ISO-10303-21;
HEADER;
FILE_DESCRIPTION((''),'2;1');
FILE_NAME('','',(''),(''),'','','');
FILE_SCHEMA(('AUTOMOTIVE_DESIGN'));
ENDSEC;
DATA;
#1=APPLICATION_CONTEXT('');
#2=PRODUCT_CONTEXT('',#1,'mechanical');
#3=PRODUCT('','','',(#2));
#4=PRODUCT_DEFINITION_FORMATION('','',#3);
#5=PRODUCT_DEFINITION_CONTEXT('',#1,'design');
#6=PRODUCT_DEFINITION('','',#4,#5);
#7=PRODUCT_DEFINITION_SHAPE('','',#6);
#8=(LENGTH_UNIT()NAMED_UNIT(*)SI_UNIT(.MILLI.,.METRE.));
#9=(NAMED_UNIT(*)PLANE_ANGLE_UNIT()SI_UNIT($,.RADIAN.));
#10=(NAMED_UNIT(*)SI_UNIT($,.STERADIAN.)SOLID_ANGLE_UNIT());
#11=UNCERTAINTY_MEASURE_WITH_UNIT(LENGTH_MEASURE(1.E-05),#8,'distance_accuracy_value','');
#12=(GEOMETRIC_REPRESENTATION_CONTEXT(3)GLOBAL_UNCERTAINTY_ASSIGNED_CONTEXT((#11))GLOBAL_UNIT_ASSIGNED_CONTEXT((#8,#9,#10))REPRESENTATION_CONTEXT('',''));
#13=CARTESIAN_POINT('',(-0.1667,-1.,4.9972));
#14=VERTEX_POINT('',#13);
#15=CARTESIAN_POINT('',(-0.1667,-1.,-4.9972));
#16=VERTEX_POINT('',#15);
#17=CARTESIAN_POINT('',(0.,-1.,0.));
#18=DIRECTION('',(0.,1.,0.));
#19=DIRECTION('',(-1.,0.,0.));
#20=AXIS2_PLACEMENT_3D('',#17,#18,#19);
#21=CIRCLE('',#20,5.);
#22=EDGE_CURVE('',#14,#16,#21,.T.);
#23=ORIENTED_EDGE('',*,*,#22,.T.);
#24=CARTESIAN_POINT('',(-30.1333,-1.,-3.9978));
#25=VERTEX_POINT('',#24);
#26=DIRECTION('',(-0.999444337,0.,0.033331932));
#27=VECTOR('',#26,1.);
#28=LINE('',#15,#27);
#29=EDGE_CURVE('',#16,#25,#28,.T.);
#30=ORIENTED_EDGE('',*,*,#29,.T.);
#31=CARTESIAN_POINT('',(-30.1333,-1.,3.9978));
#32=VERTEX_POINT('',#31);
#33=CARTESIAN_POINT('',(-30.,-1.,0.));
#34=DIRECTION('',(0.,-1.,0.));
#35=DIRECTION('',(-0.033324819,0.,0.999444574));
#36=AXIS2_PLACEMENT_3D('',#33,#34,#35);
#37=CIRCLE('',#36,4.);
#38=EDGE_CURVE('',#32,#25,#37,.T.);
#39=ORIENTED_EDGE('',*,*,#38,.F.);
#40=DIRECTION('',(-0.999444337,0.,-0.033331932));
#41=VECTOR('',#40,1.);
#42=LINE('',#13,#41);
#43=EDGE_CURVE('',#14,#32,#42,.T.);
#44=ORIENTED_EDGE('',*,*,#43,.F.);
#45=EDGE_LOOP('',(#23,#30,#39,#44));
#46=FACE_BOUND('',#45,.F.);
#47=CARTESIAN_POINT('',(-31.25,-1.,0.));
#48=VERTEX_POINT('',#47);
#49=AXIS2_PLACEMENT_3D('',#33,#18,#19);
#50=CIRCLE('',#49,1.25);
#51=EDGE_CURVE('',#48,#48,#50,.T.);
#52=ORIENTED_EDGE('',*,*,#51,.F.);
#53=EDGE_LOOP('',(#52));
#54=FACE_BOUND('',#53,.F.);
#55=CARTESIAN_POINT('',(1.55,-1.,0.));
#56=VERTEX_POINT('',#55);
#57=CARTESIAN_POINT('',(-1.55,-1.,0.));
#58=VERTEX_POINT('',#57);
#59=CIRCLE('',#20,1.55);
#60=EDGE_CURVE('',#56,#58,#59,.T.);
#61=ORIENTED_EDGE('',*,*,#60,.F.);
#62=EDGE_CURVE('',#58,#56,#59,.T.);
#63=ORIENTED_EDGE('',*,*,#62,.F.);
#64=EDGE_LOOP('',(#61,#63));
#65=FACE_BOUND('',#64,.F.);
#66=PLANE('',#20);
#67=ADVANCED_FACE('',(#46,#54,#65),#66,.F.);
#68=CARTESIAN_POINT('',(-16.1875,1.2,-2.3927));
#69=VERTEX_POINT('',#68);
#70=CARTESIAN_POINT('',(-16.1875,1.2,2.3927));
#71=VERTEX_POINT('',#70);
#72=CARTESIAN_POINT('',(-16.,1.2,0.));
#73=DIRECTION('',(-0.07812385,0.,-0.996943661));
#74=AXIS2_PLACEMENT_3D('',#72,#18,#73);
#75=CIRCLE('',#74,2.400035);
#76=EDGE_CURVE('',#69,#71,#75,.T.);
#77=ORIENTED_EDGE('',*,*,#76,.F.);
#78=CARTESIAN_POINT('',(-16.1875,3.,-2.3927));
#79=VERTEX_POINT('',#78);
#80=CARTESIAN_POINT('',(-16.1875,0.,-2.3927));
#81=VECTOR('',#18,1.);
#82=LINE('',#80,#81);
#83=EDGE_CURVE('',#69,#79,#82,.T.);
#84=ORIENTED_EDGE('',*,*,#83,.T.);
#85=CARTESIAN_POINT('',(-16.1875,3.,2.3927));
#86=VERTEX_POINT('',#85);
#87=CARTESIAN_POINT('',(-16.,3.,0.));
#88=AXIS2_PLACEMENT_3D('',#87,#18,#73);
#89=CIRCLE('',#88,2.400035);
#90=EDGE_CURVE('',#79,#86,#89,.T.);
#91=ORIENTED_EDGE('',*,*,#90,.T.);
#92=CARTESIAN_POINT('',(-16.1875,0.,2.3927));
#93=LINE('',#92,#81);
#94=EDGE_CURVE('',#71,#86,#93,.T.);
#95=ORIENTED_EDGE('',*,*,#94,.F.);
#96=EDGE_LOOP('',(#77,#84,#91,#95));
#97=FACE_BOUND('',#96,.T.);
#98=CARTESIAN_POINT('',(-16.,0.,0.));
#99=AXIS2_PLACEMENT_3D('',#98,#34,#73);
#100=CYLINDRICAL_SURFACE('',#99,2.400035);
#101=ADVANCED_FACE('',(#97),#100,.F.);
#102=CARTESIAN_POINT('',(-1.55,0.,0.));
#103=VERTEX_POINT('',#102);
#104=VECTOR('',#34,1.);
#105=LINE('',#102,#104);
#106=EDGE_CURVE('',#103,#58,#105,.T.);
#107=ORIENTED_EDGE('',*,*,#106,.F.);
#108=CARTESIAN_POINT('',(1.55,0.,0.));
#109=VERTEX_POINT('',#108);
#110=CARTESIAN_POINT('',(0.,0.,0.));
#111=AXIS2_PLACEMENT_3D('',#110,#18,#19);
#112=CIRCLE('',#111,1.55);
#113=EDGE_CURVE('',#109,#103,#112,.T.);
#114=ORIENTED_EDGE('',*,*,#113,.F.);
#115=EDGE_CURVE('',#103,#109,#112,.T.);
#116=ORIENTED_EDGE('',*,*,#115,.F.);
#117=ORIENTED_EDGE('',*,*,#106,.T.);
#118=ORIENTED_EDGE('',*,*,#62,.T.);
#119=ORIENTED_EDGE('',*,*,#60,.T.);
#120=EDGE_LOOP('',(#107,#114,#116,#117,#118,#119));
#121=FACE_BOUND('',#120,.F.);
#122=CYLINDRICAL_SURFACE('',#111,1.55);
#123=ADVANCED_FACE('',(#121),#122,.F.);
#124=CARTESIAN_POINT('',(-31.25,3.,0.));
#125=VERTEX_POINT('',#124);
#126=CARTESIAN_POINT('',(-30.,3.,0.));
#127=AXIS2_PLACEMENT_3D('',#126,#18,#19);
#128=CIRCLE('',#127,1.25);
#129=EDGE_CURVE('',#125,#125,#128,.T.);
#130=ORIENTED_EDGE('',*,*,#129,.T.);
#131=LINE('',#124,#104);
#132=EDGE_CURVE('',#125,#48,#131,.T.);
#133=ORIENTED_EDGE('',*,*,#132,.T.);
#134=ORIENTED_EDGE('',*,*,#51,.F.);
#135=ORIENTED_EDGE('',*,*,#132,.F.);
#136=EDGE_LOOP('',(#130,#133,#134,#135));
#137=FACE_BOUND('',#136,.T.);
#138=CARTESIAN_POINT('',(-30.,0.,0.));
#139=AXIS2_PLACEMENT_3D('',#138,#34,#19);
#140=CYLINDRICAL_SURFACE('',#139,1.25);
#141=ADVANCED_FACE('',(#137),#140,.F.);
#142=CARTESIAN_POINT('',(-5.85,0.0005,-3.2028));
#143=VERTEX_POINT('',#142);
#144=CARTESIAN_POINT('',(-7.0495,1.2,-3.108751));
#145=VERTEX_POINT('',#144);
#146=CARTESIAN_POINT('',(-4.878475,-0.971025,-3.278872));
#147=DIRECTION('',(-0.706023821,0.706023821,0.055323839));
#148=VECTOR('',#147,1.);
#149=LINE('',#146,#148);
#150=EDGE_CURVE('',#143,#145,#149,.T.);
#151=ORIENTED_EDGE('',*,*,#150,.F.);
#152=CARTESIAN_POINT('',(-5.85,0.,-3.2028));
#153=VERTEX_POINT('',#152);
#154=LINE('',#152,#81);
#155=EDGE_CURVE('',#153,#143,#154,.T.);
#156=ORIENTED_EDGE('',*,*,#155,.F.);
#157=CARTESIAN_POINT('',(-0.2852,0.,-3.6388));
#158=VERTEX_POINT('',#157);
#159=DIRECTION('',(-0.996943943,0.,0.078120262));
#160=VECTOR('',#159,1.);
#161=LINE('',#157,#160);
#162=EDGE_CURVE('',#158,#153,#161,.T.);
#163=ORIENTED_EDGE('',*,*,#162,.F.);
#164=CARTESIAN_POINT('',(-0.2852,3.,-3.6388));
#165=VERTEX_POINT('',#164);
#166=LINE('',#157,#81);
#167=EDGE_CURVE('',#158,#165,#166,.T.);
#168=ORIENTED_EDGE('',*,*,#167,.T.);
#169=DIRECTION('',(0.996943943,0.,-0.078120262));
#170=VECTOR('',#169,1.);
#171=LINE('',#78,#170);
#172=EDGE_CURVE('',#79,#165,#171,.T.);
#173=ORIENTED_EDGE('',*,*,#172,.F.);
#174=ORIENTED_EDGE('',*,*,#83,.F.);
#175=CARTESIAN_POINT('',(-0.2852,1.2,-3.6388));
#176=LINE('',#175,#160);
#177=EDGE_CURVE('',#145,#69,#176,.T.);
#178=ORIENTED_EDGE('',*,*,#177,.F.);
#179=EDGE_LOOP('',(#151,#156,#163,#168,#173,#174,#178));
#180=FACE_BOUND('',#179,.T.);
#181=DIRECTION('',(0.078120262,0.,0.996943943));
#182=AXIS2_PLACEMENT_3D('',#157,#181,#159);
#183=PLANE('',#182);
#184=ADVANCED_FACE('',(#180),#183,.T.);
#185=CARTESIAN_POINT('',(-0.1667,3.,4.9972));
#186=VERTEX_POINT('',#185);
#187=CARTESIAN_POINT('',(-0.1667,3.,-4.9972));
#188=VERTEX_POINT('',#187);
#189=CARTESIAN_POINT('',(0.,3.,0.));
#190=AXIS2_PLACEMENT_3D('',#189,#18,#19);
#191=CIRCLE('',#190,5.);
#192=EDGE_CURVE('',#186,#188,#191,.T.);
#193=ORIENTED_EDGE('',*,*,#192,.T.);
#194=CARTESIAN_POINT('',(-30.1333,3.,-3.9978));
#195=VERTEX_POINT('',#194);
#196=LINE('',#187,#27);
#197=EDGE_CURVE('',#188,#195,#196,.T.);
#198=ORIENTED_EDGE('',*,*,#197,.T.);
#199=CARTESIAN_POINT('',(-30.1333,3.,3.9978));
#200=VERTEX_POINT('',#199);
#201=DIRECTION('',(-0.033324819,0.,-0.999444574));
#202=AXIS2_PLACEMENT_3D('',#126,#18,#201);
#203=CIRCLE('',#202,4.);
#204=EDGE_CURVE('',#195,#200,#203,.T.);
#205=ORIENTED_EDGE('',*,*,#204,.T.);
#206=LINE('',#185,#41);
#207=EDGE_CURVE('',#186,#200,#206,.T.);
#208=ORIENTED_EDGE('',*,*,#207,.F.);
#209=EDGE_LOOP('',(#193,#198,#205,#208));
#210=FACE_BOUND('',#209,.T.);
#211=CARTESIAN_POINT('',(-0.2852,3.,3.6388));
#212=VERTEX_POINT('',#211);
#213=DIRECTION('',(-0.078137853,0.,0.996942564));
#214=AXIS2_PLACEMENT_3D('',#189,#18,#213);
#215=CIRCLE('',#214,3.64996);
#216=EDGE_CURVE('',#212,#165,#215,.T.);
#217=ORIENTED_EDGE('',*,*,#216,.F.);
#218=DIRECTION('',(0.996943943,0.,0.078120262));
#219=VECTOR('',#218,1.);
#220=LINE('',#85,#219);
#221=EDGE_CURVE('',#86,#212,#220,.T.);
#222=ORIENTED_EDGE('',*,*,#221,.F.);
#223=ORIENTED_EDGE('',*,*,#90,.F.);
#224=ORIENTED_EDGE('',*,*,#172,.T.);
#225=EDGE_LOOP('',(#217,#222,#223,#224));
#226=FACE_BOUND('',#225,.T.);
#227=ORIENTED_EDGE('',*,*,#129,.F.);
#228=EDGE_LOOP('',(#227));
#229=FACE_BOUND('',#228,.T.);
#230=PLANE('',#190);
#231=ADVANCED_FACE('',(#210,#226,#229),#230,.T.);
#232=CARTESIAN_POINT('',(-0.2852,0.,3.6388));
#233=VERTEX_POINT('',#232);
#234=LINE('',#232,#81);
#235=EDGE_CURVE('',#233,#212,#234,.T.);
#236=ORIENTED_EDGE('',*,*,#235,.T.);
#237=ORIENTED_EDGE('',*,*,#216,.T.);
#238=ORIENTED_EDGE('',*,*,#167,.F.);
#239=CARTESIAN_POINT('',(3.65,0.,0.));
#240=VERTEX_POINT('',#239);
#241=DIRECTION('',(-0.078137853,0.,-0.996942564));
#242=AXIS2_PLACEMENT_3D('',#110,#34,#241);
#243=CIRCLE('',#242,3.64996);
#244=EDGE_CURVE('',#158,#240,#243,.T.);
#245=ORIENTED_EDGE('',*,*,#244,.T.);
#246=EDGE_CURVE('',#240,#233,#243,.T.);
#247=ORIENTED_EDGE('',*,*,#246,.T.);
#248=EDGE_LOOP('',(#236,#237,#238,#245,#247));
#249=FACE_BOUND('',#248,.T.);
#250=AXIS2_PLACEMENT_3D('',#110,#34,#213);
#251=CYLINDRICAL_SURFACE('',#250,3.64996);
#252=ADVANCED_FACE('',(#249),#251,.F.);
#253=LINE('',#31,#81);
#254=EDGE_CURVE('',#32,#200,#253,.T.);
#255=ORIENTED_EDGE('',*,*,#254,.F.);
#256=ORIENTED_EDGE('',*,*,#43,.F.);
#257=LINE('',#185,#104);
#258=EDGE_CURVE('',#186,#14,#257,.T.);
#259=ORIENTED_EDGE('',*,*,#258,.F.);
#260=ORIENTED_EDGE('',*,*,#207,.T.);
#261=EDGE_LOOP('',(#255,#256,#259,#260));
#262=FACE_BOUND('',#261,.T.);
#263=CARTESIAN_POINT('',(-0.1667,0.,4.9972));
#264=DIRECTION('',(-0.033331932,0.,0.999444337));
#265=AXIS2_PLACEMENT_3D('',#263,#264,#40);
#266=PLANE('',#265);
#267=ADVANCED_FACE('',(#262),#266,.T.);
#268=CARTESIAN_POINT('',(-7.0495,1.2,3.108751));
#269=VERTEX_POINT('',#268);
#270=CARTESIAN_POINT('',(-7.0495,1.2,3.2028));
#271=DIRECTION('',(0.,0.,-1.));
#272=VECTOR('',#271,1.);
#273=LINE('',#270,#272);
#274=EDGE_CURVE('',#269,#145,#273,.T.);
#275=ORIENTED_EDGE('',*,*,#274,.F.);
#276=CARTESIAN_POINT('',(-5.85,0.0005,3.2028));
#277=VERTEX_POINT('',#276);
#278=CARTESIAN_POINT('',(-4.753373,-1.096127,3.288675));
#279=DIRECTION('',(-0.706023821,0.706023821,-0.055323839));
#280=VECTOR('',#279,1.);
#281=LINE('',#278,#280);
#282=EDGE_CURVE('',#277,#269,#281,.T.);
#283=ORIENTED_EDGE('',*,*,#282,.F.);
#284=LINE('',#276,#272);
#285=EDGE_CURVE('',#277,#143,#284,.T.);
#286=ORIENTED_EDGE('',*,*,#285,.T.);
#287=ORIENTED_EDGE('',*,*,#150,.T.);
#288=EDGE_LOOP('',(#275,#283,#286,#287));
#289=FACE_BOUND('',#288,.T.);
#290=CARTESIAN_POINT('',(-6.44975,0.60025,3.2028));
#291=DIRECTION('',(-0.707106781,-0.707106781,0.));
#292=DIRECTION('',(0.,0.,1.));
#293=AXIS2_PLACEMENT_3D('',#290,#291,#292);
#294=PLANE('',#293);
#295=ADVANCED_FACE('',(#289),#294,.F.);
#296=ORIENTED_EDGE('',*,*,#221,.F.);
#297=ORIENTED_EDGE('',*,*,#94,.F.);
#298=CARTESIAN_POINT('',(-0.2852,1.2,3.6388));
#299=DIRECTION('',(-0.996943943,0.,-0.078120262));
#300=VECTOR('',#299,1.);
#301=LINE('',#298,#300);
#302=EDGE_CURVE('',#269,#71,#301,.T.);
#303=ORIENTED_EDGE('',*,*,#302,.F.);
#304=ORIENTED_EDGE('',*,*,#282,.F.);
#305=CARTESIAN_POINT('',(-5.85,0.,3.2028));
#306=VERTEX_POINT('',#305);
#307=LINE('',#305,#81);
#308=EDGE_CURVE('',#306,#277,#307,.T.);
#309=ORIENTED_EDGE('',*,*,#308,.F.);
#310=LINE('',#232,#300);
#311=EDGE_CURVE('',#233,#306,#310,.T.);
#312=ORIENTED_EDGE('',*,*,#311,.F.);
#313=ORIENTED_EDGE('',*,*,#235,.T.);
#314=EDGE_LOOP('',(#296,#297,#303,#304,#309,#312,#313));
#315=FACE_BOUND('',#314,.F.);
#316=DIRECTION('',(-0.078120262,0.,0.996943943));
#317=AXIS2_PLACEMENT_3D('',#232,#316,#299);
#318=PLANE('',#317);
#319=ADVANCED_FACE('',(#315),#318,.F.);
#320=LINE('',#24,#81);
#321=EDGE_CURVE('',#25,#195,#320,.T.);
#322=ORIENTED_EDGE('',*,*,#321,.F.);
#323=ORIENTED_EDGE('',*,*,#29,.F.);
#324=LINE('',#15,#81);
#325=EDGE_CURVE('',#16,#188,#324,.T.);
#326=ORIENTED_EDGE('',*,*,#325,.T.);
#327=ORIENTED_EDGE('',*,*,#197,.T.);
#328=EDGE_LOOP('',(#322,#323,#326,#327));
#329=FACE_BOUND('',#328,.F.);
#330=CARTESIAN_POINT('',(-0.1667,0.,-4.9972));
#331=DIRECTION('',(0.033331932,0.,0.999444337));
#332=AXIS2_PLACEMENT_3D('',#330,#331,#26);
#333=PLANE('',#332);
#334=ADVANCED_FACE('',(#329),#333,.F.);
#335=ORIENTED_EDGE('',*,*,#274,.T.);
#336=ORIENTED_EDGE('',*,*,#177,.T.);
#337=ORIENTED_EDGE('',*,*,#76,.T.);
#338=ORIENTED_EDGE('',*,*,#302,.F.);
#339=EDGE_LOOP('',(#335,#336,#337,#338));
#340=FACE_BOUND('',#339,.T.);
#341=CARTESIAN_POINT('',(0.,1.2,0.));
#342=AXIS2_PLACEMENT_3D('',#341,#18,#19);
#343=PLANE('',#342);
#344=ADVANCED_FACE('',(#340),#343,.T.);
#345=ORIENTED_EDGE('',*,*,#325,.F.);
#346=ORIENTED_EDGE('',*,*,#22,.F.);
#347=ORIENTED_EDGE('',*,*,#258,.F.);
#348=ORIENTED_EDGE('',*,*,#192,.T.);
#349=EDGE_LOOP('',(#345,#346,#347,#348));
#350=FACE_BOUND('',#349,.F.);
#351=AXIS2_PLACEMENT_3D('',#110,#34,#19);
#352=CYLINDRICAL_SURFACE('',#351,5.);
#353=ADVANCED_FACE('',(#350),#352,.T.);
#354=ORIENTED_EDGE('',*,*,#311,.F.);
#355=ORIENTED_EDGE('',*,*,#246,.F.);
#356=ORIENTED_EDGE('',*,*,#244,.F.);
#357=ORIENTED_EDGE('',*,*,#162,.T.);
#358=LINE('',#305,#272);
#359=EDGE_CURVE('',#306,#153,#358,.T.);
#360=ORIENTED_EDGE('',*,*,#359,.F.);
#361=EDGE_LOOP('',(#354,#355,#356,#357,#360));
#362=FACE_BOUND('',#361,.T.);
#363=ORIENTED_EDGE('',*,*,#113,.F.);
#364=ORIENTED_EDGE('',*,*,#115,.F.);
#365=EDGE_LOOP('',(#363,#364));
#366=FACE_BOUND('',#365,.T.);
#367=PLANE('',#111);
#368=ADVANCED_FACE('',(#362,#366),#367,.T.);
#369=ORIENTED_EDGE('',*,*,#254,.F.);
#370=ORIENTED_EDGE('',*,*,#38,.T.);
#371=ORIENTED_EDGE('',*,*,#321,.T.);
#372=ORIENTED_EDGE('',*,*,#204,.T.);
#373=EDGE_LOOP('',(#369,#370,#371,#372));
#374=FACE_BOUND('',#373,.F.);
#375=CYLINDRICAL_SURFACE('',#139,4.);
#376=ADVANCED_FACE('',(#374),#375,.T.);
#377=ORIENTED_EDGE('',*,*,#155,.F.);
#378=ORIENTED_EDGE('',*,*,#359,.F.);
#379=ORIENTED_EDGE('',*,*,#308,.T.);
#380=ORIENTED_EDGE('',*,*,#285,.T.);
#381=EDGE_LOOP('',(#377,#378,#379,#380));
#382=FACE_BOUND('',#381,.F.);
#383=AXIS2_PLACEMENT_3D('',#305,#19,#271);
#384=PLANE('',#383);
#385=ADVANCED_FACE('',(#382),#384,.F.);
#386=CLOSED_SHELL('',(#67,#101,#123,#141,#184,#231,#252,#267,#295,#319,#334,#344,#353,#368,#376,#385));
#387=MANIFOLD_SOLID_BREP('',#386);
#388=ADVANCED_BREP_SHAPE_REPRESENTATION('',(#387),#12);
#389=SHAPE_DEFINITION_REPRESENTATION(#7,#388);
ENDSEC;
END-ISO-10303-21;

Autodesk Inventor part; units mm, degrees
ref_plane "YZ Plane" through (0, 0, 0) normal (1, 0, 0) x (0, 1, 0)
ref_plane "XZ Plane" through (0, 0, 0) normal (0, 1, 0) x (-1, 0, 0)
ref_plane "XY Plane" through (0, 0, 0) normal (0, 0, 1) x (1, 0, 0)
sketch "Sketch1" plane through (0, 0, 0) normal (0, 1, 0) x (-1, 0, 0)
  arc A0 (0.2852, 3.6388) -> (0.2852, -3.6388) centre (0, 0) ccw
  line L0 (0, 0) -> (16, 0) construction
  arc A1 (16.1875, -2.3927) -> (16.1875, 2.3927) centre (16, 0) ccw
  line L1 (0.2852, 3.6388) -> (16.1875, 2.3927)
  line L2 (0.2852, -3.6388) -> (16.1875, -2.3927)
  line L3 (5.85, 3.2028) -> (5.85, -3.2028)
  line L4 (0, 0) -> (-3.65, 0)
  circle A2 centre (0, 0) radius 1.55
  circle A3 centre (0, 0) radius 3
  circle A4 centre (0, 0) radius 5
  line L5 (0.1667, 4.9972) -> (30.1333, 3.9978)
  line L6 (0.1667, -4.9972) -> (30.1333, -3.9978)
  circle A5 centre (30, 0) radius 4
  line L7 (16, 0) -> (30, 0) construction
  circle A6 centre (30, 0) radius 1.25
  point P0 (0, 0)
  dimension "d0" = 7.3
  dimension "d1" = 4.8
  dimension "d2" = 16
  dimension "d3" = 9.5
  dimension "d4" = 3.1
  dimension "d6" = 6
  dimension "d8" = 2.5
  dimension "d18" = 10
  dimension "d19" = 8
  dimension "d20" = 30
extrude "Extrusion1" add sketch "Sketch1" against normal blind 1 contours A3 | L1 A4 L2 A0 | A0 L2 A4 L1 | A4 L5 A5 L6 L2 A1 L1 | L1 L3 L2 A4 | L1 A1 L2 L3 | A5
extrude "Extrusion2" add sketch "Sketch1" along normal blind 3 contours A0 L2 A4 L1 | A4 L5 A5 L6 L2 A1 L1 | A5 picked at (2.3095, 3.6823)
extrude "Extrusion3" add sketch "Sketch1" along normal blind 1.2 contours L1 A1 L2 L3
chamfer "Chamfer1" distance 1.2 angle 45 1 edges at (-5.85, 1.2, 0)
properties part number "Servo Arm_3DPrint"
